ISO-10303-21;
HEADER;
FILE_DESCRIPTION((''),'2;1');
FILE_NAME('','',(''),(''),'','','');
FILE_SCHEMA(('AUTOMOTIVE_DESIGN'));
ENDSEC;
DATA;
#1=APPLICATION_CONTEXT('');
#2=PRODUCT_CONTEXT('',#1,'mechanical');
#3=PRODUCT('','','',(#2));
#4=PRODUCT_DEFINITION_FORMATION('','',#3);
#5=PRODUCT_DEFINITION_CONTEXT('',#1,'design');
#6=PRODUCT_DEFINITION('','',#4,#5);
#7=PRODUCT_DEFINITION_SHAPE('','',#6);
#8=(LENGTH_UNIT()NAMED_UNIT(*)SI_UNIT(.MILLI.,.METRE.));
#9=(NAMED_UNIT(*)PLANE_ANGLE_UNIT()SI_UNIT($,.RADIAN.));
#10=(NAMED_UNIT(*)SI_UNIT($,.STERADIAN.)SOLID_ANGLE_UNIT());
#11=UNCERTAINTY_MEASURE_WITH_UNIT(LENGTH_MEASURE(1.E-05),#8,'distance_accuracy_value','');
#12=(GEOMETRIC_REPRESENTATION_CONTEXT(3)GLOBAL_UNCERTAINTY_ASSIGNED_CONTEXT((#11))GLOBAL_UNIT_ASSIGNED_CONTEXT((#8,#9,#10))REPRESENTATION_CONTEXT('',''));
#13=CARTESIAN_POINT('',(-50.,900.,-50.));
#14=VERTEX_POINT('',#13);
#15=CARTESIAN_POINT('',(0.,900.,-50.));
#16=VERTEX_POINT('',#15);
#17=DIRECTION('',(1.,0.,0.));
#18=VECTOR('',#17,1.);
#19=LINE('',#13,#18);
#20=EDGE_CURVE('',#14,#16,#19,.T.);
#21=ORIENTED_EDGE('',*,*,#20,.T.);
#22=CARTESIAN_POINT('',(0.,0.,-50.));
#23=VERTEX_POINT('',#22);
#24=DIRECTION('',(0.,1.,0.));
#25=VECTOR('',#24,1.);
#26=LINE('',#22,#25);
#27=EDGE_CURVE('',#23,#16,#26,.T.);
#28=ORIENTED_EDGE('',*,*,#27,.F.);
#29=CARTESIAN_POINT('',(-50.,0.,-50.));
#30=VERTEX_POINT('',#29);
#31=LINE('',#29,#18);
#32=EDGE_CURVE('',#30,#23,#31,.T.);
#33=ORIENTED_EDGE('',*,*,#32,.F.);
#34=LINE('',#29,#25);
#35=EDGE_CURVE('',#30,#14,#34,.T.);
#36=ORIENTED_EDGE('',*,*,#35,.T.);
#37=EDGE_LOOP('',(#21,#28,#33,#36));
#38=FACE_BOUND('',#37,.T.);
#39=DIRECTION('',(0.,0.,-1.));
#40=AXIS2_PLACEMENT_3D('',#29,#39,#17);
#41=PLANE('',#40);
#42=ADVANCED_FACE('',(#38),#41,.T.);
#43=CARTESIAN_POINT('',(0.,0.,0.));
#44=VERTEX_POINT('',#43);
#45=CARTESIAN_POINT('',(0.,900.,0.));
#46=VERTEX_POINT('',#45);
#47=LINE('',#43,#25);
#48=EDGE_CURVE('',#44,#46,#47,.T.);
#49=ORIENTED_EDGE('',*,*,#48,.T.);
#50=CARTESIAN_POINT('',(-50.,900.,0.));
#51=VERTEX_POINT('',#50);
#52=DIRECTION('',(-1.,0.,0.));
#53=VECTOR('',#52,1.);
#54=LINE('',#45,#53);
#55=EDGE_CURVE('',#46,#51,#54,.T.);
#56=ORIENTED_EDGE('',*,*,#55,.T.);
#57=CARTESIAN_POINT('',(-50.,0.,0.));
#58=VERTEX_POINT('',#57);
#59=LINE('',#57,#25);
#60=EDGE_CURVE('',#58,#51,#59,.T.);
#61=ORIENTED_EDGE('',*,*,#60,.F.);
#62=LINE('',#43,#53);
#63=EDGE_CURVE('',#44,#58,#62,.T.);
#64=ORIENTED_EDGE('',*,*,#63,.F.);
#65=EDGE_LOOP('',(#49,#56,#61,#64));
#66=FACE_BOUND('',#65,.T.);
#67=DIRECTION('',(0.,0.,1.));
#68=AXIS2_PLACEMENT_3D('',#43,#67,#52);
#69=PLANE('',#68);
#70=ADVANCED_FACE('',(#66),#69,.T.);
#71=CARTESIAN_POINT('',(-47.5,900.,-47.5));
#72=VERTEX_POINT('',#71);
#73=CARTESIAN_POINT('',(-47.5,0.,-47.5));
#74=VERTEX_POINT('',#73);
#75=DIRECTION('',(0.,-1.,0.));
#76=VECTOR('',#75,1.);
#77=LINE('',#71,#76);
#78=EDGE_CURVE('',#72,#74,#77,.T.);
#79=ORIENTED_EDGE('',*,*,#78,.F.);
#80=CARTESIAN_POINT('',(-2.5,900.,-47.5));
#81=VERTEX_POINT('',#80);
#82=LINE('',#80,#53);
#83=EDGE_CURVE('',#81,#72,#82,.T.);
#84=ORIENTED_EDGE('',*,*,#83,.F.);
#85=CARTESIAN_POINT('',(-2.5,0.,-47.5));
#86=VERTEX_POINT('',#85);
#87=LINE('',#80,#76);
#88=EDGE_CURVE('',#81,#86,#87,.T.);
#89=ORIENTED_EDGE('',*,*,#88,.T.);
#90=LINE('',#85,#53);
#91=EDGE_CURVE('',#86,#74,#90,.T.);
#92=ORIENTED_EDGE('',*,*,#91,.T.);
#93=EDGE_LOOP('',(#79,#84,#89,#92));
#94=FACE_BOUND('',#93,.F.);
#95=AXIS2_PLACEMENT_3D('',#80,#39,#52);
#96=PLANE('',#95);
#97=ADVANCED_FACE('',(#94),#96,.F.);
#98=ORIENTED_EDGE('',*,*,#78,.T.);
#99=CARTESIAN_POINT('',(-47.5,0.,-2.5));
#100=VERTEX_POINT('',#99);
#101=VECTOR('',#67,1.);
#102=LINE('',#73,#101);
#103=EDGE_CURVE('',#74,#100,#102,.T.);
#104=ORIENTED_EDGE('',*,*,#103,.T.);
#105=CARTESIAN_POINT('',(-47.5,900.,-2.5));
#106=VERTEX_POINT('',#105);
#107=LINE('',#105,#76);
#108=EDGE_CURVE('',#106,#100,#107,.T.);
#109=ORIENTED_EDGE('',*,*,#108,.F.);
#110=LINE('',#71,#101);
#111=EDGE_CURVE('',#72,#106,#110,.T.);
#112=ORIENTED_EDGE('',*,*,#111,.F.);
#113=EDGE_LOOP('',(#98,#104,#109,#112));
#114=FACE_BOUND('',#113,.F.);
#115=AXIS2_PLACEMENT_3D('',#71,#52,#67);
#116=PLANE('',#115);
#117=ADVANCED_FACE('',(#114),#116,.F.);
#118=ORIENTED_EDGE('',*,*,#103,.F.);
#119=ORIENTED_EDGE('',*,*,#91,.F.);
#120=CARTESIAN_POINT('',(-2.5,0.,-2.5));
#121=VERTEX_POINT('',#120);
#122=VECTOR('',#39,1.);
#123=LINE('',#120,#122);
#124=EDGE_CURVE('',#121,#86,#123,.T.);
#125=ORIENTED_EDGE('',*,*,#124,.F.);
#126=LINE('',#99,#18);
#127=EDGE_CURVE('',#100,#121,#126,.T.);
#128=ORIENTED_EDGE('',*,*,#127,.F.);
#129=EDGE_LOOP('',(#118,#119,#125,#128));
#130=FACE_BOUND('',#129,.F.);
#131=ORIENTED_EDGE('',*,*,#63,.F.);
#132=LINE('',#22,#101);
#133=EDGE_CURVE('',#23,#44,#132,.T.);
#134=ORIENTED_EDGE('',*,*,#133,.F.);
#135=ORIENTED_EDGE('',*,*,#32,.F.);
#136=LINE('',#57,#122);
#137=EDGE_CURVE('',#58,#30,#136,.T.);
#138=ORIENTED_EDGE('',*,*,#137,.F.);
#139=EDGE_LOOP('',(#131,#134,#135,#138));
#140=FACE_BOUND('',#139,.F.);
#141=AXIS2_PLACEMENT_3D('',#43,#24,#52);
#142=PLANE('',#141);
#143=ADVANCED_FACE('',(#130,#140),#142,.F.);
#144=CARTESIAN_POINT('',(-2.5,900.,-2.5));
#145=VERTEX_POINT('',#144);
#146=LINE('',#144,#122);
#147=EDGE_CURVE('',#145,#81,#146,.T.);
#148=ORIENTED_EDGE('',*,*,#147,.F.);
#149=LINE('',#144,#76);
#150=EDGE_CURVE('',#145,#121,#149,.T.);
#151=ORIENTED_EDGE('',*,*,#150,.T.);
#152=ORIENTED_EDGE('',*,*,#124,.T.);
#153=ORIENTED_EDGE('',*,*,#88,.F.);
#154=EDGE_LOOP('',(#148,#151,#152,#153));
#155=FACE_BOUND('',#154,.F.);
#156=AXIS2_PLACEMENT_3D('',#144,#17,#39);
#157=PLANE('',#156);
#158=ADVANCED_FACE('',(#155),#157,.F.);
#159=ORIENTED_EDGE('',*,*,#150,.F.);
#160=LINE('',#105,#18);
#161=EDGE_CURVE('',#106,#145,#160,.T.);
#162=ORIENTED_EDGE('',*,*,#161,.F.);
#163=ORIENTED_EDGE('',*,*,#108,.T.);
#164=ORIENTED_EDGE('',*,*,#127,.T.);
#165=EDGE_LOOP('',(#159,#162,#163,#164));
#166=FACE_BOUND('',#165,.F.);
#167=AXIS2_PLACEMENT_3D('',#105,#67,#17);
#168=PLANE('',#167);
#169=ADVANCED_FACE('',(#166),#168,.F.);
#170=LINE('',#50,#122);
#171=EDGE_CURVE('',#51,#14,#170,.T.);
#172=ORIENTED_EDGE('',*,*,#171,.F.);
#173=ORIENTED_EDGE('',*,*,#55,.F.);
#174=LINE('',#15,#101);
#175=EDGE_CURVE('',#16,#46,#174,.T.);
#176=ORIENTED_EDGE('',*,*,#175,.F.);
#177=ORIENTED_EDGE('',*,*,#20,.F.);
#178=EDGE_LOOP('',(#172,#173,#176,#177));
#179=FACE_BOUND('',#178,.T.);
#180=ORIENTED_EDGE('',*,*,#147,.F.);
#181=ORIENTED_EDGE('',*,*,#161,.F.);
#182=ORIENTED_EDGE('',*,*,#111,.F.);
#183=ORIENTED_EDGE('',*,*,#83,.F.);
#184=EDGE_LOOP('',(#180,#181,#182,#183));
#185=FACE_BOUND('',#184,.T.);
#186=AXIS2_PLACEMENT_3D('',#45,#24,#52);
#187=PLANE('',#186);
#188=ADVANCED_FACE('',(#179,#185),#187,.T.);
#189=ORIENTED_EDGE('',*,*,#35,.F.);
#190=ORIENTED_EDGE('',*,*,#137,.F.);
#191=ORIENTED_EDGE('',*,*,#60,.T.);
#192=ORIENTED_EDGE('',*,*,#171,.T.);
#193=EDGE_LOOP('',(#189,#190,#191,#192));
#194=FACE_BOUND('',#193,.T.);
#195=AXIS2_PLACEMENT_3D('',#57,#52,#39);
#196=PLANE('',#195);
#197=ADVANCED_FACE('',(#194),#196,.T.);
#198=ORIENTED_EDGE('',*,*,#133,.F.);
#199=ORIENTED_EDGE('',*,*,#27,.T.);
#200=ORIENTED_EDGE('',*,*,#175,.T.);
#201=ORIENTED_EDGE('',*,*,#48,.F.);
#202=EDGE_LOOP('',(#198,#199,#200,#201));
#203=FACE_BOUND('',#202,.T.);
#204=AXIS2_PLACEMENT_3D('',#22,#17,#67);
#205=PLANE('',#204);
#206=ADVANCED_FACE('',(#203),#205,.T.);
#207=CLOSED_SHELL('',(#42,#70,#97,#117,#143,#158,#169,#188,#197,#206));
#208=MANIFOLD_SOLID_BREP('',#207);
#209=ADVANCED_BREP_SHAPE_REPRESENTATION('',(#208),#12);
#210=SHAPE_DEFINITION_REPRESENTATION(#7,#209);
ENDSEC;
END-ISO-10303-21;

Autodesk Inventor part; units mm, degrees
ref_plane "YZ Plane" through (0, 0, 0) normal (1, 0, 0) x (0, 1, 0)
ref_plane "XZ Plane" through (0, 0, 0) normal (0, 1, 0) x (-1, 0, 0)
ref_plane "XY Plane" through (0, 0, 0) normal (0, 0, 1) x (1, 0, 0)
sketch "Sketch1" plane through (0, 0, 0) normal (0, 1, 0) x (-1, 0, 0)
  line L0 (0, 0) -> (50, 0)
  line L1 (50, 0) -> (50, -50)
  line L2 (50, -50) -> (0, -50)
  line L3 (0, -50) -> (0, 0)
  dimension "d0" = 50
  dimension "d1" = 50
extrude "Extrusion1" add sketch "Sketch1" along normal blind 900
sketch "Sketch2" plane through (0, 900, 0) normal (0, 1, 0) x (1, 0, 0)
  line L0 (0, 50) -> (-50, 50) projected
  line L1 (-50, 50) -> (-50, 0) projected
  line L2 (-50, 0) -> (0, 0) projected
  line L3 (0, 0) -> (0, 50) projected
  line L4 (-47.5, 2.5) -> (-2.5, 2.5)
  line L5 (-2.5, 2.5) -> (-2.5, 47.5)
  line L6 (-2.5, 47.5) -> (-47.5, 47.5)
  line L7 (-47.5, 47.5) -> (-47.5, 2.5)
  line L8 (-47.5, 2.5) -> (-2.5, 47.5) construction
  line L9 (-2.5, 2.5) -> (-47.5, 47.5) construction
  point P0 (-25, 25)
  dimension "d4" = 45
  dimension "d5" = 45
extrude "Extrusion2" cut sketch "Sketch2" against normal up to surface (900 mm away) contours L7 L6 L5 L4
properties part number "metalonmeio"
